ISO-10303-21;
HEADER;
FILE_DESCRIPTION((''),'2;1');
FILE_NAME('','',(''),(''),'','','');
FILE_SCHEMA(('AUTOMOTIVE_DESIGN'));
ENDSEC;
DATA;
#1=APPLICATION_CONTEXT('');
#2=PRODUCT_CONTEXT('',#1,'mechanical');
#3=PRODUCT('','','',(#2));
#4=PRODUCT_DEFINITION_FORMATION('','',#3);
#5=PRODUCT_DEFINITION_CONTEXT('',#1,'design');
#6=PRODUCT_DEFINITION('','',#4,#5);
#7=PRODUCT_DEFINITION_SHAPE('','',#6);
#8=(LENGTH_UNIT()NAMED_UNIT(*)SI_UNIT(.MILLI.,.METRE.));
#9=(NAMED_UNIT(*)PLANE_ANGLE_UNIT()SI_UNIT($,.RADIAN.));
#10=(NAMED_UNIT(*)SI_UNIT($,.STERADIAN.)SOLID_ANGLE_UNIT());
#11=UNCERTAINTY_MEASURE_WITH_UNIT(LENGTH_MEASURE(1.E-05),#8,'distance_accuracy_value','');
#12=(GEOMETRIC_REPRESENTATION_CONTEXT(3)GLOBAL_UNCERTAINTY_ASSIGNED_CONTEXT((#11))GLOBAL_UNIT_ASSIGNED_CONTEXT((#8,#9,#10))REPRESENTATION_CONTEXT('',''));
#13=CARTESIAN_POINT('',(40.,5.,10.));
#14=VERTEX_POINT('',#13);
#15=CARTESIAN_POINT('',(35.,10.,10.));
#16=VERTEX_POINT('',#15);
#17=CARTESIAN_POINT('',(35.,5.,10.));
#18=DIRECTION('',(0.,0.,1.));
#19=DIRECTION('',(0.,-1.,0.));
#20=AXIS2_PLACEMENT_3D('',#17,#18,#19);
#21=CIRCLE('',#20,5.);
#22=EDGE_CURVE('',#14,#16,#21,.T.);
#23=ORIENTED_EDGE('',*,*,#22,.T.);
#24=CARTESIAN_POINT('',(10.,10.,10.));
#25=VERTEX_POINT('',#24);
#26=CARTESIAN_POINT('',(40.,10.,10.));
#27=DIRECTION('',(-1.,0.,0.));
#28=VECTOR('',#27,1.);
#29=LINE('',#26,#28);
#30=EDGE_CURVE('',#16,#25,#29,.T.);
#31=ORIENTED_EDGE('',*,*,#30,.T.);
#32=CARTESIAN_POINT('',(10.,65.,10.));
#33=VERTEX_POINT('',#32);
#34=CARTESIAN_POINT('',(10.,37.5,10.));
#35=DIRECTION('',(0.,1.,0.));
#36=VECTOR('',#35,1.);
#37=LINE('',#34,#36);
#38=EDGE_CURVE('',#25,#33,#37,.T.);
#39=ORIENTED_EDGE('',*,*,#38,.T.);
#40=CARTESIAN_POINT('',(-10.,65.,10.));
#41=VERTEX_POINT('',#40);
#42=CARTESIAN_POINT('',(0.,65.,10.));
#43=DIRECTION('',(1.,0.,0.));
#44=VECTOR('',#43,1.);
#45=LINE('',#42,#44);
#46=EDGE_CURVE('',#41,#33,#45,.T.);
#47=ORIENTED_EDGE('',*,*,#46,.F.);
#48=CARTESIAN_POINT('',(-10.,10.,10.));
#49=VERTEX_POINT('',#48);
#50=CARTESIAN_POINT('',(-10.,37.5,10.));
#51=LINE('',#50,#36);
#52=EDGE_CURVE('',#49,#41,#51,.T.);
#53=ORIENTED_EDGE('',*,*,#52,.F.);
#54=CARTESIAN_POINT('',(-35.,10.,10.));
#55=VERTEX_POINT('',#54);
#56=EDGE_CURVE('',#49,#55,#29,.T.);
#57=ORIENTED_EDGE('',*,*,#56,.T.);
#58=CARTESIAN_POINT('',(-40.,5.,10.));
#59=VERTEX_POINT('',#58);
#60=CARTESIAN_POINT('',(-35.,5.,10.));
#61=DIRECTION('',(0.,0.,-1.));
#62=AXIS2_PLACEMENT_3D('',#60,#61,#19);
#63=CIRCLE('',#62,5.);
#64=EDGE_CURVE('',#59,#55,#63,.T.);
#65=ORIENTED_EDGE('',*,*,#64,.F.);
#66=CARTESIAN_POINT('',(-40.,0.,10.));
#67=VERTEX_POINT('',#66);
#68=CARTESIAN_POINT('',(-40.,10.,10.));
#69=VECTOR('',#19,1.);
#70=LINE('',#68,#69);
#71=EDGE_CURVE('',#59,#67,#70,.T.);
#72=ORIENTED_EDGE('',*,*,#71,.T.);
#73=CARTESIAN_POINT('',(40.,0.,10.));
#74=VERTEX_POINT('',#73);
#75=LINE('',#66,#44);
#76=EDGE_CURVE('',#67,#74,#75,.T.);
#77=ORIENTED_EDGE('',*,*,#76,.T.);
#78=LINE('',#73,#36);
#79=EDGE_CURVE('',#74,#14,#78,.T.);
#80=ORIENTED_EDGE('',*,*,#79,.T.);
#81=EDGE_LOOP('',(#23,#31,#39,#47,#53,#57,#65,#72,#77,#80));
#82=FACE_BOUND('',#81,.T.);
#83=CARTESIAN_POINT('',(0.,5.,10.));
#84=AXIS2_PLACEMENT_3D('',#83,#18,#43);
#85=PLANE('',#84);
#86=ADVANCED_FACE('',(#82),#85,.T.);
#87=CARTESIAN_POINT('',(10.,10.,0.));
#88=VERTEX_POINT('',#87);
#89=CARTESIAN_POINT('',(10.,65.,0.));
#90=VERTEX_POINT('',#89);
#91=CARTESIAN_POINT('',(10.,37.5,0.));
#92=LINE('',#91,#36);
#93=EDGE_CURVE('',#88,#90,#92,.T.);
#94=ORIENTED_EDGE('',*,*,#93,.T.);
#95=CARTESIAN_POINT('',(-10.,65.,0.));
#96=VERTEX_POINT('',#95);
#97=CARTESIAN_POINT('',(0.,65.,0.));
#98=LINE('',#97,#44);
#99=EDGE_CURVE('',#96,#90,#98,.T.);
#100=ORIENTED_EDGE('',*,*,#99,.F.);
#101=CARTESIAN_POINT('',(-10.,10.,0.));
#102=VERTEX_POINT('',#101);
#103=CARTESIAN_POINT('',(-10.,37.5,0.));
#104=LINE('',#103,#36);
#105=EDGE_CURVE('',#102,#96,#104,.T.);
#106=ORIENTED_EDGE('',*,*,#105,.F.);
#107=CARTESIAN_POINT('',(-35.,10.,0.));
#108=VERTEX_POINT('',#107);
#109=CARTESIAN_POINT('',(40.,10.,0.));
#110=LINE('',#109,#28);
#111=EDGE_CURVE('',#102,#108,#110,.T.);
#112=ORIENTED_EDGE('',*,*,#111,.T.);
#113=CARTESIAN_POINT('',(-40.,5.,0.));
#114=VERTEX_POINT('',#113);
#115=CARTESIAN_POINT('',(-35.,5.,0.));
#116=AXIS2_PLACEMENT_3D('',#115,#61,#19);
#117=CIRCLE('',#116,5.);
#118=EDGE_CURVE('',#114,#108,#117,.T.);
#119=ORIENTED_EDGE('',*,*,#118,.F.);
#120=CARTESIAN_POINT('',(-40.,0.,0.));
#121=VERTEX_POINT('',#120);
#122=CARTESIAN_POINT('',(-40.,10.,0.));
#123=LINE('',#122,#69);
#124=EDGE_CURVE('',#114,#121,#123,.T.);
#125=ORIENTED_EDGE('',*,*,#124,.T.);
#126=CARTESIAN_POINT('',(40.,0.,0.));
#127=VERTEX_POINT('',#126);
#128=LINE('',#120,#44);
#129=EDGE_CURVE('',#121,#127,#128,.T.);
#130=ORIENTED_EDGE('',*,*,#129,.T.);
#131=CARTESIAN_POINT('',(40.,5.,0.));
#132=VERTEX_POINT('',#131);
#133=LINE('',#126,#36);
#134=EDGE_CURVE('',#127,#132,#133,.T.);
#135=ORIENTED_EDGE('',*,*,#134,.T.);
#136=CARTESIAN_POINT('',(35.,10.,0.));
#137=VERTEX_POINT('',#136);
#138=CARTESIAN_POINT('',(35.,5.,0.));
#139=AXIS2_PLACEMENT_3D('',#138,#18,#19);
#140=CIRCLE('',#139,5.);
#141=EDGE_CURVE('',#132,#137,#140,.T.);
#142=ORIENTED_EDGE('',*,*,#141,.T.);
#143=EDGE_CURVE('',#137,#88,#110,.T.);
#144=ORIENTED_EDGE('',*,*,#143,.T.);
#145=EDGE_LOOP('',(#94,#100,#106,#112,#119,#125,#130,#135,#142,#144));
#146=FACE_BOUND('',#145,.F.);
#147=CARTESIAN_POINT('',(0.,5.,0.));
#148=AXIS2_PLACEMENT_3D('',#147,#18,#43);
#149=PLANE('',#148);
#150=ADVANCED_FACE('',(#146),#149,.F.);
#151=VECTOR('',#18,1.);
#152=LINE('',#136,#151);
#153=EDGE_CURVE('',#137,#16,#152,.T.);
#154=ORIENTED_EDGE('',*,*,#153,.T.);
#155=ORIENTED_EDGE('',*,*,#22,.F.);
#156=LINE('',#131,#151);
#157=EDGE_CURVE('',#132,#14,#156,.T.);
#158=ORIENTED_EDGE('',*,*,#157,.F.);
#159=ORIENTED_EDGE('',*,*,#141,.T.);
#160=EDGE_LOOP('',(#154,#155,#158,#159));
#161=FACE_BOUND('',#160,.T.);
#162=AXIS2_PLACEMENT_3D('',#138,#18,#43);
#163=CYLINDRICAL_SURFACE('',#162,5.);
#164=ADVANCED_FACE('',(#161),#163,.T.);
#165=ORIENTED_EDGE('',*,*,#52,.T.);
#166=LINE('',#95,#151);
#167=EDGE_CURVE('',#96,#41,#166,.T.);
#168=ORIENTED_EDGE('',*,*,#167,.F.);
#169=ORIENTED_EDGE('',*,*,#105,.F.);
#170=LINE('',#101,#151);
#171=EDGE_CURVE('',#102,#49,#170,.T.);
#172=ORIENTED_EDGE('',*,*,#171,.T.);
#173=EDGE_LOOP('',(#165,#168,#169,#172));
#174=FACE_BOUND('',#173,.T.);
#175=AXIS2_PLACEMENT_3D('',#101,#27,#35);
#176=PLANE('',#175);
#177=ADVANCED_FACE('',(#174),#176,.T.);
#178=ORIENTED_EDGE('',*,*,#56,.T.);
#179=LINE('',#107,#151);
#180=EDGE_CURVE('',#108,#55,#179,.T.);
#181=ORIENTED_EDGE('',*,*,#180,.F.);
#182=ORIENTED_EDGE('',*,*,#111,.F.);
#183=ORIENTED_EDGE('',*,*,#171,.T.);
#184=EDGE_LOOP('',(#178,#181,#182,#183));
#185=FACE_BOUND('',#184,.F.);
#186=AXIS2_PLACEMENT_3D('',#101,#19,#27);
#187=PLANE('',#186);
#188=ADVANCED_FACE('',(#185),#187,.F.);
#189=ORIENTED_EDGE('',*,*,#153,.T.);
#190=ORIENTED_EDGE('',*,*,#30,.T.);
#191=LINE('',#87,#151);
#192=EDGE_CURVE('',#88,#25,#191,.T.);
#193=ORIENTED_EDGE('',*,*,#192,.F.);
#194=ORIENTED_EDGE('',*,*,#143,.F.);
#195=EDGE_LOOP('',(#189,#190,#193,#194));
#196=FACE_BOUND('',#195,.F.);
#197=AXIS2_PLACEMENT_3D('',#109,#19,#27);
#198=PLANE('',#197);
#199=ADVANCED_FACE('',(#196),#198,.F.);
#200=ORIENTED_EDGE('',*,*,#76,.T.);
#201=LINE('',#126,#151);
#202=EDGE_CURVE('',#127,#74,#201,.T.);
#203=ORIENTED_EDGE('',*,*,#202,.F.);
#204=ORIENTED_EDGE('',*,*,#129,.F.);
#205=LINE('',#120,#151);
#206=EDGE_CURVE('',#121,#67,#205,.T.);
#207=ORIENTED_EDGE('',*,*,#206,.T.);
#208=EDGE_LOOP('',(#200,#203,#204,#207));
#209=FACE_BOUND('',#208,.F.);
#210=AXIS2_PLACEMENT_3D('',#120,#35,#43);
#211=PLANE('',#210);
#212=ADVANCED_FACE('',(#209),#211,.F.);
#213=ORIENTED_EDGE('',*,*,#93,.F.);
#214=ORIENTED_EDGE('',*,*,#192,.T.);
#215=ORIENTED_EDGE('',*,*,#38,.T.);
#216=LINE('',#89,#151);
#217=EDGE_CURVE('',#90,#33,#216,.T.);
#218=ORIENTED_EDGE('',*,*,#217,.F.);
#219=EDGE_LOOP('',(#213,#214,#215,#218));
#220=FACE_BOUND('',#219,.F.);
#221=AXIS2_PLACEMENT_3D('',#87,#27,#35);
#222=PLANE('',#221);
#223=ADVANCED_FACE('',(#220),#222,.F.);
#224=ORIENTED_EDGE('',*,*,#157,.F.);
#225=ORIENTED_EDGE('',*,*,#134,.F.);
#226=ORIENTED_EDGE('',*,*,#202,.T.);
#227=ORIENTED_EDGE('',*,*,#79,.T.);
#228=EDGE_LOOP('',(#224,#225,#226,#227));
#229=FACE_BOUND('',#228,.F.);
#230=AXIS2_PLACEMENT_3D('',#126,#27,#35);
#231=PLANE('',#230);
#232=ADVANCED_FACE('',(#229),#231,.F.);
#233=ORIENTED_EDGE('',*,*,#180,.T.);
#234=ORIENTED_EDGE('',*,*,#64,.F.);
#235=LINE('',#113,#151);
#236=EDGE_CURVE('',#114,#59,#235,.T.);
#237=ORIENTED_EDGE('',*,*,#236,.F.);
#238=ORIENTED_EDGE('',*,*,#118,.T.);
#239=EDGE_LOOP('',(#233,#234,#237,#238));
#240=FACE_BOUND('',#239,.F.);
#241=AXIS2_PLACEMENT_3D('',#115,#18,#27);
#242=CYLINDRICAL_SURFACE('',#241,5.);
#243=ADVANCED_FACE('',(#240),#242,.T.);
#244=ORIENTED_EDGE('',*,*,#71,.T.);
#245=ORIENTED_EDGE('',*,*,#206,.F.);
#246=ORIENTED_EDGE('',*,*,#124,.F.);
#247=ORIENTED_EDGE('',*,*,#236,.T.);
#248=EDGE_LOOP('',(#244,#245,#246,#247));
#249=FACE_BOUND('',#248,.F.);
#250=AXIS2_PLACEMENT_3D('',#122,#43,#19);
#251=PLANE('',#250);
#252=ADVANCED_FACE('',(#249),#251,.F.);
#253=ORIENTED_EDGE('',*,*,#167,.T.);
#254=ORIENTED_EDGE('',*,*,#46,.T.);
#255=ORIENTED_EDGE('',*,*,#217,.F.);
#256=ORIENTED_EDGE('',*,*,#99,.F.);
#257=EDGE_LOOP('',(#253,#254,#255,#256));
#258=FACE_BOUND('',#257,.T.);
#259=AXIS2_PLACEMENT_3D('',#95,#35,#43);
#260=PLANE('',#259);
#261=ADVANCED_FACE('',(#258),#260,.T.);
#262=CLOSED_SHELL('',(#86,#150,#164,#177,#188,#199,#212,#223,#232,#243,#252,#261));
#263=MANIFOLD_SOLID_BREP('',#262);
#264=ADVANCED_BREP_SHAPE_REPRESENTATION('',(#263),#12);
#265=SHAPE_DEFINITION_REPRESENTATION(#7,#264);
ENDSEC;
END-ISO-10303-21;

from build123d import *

# Parameters (mm, degrees)
F0_W     = 20
F0_H     = 55
F1_DEPTH = 10
F2_R     = 5


with BuildPart() as f1:
    # F0 (on Top) → F1 (new body)
    with BuildSketch(Plane.XY):
        Polygon((-10, 10), (-40, 10), (-40, 0), (40, 0), (40, 10), (10, 10), align=None)
        with Locations((0, 37.5)):
            Rectangle(F0_W, F0_H)
    extrude(amount=F1_DEPTH)

    # F2
    f2_edges = [f1.edges().sort_by_distance(p)[0] for p in [
        (-40, 10, 5),
        (40, 10, 5),
    ]]
    fillet(f2_edges, radius=F2_R)


solid = f1.part
